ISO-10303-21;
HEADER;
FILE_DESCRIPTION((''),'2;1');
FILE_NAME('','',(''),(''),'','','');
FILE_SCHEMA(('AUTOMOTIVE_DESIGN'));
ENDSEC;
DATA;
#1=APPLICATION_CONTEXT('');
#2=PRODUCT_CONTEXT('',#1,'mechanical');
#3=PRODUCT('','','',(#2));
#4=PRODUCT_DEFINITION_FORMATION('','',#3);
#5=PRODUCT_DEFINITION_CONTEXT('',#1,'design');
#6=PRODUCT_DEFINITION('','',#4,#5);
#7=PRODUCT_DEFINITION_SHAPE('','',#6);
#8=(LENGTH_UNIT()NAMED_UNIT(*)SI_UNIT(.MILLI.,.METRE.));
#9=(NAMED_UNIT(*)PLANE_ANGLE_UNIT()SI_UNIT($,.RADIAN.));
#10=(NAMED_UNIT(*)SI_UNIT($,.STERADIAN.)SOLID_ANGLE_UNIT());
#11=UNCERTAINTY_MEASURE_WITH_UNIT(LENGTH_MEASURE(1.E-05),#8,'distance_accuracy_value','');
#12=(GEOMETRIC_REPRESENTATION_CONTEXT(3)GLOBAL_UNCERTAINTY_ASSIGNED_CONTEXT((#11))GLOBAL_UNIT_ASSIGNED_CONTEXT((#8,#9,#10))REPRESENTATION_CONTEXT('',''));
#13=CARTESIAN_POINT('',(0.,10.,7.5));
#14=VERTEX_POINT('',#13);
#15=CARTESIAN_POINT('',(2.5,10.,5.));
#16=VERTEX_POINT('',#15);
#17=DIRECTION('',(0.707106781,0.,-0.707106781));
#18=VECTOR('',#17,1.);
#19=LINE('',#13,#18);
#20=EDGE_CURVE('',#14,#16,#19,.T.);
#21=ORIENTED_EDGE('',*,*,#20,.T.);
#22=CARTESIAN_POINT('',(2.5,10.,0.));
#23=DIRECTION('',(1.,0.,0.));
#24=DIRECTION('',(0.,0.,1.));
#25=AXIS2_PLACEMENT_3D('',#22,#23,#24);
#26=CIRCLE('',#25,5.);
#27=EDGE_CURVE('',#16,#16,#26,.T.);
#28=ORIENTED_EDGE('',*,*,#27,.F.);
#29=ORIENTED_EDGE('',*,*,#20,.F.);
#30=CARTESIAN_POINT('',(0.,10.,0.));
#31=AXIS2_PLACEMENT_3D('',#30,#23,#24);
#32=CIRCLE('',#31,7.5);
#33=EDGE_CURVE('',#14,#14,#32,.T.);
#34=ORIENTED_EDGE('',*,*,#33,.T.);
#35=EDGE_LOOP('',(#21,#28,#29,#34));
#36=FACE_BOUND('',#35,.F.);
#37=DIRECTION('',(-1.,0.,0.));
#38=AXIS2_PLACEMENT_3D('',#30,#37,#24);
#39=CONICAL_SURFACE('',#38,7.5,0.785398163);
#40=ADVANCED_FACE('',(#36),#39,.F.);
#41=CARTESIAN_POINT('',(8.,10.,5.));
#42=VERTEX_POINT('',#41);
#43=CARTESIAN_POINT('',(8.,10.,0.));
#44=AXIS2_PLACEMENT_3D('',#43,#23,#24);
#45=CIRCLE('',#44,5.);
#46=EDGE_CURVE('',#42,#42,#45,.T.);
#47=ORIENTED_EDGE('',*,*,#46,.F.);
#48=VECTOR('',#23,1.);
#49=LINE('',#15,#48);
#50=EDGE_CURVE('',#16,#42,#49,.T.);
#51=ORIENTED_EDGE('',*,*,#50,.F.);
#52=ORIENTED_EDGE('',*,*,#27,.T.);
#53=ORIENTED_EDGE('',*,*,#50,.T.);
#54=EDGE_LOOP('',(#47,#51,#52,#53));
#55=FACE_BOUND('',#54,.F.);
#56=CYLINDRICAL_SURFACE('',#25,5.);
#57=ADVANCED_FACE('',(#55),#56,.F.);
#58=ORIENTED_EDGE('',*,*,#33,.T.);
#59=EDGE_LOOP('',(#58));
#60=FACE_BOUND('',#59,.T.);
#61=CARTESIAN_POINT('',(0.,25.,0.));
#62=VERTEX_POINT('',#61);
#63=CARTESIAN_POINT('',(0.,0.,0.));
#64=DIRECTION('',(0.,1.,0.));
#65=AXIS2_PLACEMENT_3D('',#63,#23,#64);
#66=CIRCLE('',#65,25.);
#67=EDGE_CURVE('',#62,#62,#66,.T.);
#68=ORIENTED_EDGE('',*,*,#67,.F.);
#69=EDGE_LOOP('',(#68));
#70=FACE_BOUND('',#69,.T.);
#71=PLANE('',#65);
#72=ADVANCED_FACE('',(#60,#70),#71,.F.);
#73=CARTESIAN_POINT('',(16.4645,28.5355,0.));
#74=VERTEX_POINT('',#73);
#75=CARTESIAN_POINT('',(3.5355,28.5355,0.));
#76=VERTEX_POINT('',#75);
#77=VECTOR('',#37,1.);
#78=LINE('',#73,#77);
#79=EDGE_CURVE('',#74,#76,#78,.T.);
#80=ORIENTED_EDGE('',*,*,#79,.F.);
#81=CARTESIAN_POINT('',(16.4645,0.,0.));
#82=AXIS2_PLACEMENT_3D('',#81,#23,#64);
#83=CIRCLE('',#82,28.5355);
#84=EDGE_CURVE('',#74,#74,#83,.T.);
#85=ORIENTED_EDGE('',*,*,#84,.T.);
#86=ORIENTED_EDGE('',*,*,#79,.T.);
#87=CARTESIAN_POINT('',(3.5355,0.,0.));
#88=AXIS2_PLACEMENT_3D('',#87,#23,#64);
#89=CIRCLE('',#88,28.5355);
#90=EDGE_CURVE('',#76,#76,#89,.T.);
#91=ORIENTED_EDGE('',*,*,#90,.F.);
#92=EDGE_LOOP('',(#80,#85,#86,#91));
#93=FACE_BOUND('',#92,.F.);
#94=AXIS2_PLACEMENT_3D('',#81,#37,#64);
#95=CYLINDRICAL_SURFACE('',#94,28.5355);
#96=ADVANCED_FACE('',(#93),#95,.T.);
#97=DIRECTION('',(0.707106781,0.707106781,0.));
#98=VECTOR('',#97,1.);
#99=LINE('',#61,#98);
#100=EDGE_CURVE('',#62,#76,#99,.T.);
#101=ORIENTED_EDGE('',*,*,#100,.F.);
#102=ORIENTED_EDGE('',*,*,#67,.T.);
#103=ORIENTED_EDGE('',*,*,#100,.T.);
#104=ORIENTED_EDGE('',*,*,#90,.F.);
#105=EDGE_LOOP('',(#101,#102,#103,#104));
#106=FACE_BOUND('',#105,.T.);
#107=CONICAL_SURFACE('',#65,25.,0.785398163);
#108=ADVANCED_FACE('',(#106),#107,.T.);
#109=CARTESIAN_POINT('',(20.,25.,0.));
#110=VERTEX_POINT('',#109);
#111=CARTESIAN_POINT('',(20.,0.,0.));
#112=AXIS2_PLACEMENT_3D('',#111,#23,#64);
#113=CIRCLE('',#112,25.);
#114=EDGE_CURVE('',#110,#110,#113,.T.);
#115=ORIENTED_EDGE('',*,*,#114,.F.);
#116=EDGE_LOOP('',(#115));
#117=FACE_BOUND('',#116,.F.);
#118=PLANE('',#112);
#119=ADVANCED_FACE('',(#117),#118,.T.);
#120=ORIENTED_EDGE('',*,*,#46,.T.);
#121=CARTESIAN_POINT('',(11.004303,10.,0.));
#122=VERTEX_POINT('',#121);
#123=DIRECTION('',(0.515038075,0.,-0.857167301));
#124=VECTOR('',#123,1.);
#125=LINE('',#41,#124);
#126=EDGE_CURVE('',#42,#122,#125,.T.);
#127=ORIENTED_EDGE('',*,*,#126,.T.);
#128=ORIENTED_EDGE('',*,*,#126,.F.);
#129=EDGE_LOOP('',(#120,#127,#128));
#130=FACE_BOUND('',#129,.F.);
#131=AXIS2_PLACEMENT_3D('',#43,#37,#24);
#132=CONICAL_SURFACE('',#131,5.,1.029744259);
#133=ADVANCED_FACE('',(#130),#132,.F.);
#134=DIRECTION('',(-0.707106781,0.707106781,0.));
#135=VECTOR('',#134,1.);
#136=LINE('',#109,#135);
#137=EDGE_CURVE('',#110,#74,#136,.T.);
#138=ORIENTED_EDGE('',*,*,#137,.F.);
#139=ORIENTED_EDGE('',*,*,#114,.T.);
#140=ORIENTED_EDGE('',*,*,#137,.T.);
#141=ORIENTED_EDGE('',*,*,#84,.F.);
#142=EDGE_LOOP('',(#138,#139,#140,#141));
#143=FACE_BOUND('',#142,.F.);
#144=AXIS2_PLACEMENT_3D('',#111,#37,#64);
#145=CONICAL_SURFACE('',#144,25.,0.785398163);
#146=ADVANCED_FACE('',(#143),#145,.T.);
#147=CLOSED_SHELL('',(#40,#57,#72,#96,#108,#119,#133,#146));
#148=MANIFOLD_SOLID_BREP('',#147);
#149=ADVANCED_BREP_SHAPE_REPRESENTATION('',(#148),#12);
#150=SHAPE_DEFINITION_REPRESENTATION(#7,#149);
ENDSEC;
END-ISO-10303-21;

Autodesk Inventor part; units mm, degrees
ref_plane "YZ Plane" through (0, 0, 0) normal (1, 0, 0) x (0, 1, 0)
ref_plane "XZ Plane" through (0, 0, 0) normal (0, 1, 0) x (-1, 0, 0)
ref_plane "XY Plane" through (0, 0, 0) normal (0, 0, 1) x (1, 0, 0)
sketch "Эскиз1" plane through (0, 0, 0) normal (0, 0, 1) x (1, 0, 0)
  line L0 (0, 0) -> (20, 0)
  line L1 (0, 0) -> (0, 25)
  line L2 (0, 25) -> (3.5355, 28.5355)
  line L3 (20, 0) -> (20, 25)
  line L4 (20, 25) -> (16.4645, 28.5355)
  line L5 (16.4645, 28.5355) -> (3.5355, 28.5355)
  dimension "d0" = 20
  dimension "d1" = 25
  dimension "d2" = 5
  dimension "d3" = 135
  dimension "d4" = 5
  dimension "d5" = 135
revolve "Вращение1" add sketch "Эскиз1" angle 360 about axis through (0, 0, 0) along (1, 0, 0)
sketch "Эскиз2" plane through (0, 0, 0) normal (-1, 0, 0) x (0, 0, 1)
  line L0 (0, 0) -> (0, 10) construction
  dimension "d7" = 10
hole "Отверстие1" at (0, 10, 0) direction (1, 0, 0) diameter 10 depth 8 tip angle 118 countersink diameter 15 countersink angle 90
properties part number "711112"
